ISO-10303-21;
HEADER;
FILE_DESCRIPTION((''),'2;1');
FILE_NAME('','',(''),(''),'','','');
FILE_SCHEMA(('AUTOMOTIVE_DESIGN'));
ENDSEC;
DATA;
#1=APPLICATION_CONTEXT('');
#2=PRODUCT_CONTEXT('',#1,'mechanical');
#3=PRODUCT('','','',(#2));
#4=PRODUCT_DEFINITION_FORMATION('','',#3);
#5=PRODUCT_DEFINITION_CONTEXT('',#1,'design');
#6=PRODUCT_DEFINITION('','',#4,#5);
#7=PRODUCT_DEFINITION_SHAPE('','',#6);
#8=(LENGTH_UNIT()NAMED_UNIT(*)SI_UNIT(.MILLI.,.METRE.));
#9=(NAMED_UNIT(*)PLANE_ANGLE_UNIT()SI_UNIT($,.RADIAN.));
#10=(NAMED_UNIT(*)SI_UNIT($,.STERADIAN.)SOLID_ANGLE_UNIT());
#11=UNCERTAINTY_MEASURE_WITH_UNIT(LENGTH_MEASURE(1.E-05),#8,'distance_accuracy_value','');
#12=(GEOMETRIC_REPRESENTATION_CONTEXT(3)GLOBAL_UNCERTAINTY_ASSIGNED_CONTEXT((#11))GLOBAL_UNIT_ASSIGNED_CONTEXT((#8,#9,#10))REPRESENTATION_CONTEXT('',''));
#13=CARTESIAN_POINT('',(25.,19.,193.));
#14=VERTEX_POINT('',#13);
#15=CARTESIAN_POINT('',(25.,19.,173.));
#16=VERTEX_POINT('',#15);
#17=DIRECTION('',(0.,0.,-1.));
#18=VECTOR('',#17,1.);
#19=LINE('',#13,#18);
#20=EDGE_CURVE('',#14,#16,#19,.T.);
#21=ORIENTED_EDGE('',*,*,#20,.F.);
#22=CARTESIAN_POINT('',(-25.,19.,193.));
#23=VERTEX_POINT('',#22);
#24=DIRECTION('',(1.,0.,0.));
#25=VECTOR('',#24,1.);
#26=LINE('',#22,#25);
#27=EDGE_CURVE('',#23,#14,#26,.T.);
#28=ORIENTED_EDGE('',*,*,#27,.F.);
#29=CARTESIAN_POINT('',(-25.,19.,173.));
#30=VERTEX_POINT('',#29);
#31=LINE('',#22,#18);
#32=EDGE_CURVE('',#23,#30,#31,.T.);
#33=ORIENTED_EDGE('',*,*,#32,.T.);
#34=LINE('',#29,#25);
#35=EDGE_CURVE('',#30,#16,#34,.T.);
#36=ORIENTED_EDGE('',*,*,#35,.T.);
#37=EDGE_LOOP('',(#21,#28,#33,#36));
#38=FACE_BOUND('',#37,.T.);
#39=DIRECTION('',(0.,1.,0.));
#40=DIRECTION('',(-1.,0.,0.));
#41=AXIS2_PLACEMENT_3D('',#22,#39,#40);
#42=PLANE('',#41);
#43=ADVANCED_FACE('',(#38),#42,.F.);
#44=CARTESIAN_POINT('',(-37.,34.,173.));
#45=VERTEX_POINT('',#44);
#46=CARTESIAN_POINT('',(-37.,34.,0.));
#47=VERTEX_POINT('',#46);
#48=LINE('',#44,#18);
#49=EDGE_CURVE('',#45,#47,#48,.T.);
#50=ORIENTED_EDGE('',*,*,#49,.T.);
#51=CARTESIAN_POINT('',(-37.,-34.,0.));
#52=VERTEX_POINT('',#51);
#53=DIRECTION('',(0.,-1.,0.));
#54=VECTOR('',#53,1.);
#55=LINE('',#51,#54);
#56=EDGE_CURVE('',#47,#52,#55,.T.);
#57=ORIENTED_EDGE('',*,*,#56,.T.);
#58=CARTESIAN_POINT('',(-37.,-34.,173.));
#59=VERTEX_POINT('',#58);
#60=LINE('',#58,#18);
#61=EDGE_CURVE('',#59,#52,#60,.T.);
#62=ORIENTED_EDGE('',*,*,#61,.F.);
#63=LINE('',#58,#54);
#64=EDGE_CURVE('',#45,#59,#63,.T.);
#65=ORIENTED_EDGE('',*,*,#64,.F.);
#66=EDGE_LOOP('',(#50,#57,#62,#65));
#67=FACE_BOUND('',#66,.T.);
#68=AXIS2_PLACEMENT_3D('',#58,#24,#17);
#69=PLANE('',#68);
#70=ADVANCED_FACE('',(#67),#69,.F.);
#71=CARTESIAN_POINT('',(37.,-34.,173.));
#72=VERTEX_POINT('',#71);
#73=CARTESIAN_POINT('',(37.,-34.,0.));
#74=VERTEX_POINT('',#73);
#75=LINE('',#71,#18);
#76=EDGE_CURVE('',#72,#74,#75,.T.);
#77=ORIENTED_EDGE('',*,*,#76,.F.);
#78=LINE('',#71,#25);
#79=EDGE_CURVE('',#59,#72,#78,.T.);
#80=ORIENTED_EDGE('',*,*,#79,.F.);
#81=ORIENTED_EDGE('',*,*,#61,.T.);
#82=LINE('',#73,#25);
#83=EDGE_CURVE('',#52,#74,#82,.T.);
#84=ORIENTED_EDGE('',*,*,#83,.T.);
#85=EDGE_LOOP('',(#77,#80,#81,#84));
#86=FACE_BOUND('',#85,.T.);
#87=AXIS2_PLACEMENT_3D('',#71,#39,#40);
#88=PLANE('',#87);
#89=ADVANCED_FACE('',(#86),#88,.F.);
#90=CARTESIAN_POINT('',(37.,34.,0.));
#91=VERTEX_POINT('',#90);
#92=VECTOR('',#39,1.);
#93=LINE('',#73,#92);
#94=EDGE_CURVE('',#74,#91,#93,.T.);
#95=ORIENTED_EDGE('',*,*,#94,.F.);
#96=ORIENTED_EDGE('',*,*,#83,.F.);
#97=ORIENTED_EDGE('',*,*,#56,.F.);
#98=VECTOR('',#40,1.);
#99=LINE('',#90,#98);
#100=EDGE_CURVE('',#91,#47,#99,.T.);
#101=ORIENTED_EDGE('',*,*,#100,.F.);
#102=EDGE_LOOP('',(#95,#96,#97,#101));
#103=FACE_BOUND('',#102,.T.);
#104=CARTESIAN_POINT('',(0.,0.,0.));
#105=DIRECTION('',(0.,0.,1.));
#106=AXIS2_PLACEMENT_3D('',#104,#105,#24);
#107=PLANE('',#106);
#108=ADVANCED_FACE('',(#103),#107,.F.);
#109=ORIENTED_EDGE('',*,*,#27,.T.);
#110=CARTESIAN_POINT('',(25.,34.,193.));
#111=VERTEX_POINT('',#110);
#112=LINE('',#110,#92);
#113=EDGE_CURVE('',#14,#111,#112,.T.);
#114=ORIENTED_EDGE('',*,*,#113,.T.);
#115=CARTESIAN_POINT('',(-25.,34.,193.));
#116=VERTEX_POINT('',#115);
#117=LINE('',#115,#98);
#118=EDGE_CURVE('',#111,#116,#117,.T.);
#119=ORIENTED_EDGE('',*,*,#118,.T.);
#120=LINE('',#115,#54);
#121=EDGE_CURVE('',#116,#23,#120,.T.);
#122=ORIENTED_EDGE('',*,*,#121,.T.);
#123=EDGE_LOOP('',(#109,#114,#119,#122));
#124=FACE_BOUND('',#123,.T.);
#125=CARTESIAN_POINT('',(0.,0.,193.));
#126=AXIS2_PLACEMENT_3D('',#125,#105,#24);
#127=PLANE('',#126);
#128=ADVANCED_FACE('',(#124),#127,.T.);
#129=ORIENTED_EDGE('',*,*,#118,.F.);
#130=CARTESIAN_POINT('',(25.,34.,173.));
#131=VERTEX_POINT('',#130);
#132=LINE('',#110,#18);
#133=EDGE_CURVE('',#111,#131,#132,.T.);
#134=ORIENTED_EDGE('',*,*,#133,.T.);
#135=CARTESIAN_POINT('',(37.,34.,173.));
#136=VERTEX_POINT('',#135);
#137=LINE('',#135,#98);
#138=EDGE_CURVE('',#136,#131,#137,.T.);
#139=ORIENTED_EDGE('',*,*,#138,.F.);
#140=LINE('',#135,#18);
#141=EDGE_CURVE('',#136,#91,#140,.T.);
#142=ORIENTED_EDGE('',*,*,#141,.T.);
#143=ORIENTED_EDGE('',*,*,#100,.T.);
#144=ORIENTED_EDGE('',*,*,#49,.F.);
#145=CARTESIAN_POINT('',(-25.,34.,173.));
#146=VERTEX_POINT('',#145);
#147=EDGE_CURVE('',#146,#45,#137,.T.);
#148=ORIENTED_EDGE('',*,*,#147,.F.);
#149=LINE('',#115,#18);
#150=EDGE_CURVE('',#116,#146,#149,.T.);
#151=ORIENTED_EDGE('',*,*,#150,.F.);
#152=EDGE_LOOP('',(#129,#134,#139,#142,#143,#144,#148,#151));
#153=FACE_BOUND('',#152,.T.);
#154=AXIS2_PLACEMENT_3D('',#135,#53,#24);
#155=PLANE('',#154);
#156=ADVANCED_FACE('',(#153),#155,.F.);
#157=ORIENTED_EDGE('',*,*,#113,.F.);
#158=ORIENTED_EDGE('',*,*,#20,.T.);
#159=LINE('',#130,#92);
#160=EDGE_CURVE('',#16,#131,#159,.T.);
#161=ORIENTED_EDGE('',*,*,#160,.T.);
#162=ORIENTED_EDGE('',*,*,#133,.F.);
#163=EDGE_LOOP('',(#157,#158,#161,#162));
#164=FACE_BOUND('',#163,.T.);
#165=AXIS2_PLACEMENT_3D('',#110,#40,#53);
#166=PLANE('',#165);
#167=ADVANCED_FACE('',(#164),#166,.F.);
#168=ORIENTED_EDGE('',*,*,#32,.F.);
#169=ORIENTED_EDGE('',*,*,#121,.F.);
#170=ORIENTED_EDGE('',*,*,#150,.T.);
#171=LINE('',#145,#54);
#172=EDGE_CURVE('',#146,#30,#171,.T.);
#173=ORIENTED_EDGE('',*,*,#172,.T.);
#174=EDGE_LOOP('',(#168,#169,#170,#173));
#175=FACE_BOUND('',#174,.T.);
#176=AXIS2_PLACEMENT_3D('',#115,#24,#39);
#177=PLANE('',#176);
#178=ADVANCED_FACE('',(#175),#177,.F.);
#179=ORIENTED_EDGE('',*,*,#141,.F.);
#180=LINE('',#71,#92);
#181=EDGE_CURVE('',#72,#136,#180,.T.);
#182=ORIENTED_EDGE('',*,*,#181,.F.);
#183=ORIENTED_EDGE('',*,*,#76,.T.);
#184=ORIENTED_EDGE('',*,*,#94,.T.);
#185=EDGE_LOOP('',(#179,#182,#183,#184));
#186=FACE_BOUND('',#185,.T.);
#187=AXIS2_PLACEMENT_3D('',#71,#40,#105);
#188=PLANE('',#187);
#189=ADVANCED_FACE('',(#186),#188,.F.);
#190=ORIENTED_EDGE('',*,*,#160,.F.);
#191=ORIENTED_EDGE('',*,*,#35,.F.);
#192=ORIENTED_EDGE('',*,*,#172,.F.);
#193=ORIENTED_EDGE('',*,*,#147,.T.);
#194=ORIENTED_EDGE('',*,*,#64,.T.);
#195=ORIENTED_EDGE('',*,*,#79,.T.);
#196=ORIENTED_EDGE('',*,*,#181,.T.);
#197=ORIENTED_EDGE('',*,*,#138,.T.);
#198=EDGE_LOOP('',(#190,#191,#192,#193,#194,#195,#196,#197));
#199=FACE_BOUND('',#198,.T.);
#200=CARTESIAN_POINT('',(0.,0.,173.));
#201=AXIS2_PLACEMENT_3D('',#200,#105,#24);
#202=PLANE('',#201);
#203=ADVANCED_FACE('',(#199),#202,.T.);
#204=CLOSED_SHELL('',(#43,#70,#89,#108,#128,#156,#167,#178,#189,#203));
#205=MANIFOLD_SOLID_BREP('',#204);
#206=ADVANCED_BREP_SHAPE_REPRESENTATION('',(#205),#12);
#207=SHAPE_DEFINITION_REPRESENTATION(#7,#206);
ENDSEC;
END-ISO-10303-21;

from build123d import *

# Parameters (mm, degrees)
SKETCH2_W           = 74
SKETCH2_H           = 68
BOSS_EXTRUDE1_DEPTH = 173
SKETCH3_W           = 50
SKETCH3_H           = 15
BOSS_EXTRUDE2_DEPTH = 20


with BuildPart() as part:
    # Sketch2 → Boss-Extrude1 (new body)
    with BuildSketch(Plane.XY):
        Rectangle(SKETCH2_W, SKETCH2_H)
    extrude(amount=BOSS_EXTRUDE1_DEPTH)

    # Sketch3 → Boss-Extrude2 (add)
    with BuildSketch(Plane.XY.offset(173)):
        with Locations((0, 26.5)):
            Rectangle(SKETCH3_W, SKETCH3_H)
    extrude(amount=BOSS_EXTRUDE2_DEPTH)


solid = part.part
